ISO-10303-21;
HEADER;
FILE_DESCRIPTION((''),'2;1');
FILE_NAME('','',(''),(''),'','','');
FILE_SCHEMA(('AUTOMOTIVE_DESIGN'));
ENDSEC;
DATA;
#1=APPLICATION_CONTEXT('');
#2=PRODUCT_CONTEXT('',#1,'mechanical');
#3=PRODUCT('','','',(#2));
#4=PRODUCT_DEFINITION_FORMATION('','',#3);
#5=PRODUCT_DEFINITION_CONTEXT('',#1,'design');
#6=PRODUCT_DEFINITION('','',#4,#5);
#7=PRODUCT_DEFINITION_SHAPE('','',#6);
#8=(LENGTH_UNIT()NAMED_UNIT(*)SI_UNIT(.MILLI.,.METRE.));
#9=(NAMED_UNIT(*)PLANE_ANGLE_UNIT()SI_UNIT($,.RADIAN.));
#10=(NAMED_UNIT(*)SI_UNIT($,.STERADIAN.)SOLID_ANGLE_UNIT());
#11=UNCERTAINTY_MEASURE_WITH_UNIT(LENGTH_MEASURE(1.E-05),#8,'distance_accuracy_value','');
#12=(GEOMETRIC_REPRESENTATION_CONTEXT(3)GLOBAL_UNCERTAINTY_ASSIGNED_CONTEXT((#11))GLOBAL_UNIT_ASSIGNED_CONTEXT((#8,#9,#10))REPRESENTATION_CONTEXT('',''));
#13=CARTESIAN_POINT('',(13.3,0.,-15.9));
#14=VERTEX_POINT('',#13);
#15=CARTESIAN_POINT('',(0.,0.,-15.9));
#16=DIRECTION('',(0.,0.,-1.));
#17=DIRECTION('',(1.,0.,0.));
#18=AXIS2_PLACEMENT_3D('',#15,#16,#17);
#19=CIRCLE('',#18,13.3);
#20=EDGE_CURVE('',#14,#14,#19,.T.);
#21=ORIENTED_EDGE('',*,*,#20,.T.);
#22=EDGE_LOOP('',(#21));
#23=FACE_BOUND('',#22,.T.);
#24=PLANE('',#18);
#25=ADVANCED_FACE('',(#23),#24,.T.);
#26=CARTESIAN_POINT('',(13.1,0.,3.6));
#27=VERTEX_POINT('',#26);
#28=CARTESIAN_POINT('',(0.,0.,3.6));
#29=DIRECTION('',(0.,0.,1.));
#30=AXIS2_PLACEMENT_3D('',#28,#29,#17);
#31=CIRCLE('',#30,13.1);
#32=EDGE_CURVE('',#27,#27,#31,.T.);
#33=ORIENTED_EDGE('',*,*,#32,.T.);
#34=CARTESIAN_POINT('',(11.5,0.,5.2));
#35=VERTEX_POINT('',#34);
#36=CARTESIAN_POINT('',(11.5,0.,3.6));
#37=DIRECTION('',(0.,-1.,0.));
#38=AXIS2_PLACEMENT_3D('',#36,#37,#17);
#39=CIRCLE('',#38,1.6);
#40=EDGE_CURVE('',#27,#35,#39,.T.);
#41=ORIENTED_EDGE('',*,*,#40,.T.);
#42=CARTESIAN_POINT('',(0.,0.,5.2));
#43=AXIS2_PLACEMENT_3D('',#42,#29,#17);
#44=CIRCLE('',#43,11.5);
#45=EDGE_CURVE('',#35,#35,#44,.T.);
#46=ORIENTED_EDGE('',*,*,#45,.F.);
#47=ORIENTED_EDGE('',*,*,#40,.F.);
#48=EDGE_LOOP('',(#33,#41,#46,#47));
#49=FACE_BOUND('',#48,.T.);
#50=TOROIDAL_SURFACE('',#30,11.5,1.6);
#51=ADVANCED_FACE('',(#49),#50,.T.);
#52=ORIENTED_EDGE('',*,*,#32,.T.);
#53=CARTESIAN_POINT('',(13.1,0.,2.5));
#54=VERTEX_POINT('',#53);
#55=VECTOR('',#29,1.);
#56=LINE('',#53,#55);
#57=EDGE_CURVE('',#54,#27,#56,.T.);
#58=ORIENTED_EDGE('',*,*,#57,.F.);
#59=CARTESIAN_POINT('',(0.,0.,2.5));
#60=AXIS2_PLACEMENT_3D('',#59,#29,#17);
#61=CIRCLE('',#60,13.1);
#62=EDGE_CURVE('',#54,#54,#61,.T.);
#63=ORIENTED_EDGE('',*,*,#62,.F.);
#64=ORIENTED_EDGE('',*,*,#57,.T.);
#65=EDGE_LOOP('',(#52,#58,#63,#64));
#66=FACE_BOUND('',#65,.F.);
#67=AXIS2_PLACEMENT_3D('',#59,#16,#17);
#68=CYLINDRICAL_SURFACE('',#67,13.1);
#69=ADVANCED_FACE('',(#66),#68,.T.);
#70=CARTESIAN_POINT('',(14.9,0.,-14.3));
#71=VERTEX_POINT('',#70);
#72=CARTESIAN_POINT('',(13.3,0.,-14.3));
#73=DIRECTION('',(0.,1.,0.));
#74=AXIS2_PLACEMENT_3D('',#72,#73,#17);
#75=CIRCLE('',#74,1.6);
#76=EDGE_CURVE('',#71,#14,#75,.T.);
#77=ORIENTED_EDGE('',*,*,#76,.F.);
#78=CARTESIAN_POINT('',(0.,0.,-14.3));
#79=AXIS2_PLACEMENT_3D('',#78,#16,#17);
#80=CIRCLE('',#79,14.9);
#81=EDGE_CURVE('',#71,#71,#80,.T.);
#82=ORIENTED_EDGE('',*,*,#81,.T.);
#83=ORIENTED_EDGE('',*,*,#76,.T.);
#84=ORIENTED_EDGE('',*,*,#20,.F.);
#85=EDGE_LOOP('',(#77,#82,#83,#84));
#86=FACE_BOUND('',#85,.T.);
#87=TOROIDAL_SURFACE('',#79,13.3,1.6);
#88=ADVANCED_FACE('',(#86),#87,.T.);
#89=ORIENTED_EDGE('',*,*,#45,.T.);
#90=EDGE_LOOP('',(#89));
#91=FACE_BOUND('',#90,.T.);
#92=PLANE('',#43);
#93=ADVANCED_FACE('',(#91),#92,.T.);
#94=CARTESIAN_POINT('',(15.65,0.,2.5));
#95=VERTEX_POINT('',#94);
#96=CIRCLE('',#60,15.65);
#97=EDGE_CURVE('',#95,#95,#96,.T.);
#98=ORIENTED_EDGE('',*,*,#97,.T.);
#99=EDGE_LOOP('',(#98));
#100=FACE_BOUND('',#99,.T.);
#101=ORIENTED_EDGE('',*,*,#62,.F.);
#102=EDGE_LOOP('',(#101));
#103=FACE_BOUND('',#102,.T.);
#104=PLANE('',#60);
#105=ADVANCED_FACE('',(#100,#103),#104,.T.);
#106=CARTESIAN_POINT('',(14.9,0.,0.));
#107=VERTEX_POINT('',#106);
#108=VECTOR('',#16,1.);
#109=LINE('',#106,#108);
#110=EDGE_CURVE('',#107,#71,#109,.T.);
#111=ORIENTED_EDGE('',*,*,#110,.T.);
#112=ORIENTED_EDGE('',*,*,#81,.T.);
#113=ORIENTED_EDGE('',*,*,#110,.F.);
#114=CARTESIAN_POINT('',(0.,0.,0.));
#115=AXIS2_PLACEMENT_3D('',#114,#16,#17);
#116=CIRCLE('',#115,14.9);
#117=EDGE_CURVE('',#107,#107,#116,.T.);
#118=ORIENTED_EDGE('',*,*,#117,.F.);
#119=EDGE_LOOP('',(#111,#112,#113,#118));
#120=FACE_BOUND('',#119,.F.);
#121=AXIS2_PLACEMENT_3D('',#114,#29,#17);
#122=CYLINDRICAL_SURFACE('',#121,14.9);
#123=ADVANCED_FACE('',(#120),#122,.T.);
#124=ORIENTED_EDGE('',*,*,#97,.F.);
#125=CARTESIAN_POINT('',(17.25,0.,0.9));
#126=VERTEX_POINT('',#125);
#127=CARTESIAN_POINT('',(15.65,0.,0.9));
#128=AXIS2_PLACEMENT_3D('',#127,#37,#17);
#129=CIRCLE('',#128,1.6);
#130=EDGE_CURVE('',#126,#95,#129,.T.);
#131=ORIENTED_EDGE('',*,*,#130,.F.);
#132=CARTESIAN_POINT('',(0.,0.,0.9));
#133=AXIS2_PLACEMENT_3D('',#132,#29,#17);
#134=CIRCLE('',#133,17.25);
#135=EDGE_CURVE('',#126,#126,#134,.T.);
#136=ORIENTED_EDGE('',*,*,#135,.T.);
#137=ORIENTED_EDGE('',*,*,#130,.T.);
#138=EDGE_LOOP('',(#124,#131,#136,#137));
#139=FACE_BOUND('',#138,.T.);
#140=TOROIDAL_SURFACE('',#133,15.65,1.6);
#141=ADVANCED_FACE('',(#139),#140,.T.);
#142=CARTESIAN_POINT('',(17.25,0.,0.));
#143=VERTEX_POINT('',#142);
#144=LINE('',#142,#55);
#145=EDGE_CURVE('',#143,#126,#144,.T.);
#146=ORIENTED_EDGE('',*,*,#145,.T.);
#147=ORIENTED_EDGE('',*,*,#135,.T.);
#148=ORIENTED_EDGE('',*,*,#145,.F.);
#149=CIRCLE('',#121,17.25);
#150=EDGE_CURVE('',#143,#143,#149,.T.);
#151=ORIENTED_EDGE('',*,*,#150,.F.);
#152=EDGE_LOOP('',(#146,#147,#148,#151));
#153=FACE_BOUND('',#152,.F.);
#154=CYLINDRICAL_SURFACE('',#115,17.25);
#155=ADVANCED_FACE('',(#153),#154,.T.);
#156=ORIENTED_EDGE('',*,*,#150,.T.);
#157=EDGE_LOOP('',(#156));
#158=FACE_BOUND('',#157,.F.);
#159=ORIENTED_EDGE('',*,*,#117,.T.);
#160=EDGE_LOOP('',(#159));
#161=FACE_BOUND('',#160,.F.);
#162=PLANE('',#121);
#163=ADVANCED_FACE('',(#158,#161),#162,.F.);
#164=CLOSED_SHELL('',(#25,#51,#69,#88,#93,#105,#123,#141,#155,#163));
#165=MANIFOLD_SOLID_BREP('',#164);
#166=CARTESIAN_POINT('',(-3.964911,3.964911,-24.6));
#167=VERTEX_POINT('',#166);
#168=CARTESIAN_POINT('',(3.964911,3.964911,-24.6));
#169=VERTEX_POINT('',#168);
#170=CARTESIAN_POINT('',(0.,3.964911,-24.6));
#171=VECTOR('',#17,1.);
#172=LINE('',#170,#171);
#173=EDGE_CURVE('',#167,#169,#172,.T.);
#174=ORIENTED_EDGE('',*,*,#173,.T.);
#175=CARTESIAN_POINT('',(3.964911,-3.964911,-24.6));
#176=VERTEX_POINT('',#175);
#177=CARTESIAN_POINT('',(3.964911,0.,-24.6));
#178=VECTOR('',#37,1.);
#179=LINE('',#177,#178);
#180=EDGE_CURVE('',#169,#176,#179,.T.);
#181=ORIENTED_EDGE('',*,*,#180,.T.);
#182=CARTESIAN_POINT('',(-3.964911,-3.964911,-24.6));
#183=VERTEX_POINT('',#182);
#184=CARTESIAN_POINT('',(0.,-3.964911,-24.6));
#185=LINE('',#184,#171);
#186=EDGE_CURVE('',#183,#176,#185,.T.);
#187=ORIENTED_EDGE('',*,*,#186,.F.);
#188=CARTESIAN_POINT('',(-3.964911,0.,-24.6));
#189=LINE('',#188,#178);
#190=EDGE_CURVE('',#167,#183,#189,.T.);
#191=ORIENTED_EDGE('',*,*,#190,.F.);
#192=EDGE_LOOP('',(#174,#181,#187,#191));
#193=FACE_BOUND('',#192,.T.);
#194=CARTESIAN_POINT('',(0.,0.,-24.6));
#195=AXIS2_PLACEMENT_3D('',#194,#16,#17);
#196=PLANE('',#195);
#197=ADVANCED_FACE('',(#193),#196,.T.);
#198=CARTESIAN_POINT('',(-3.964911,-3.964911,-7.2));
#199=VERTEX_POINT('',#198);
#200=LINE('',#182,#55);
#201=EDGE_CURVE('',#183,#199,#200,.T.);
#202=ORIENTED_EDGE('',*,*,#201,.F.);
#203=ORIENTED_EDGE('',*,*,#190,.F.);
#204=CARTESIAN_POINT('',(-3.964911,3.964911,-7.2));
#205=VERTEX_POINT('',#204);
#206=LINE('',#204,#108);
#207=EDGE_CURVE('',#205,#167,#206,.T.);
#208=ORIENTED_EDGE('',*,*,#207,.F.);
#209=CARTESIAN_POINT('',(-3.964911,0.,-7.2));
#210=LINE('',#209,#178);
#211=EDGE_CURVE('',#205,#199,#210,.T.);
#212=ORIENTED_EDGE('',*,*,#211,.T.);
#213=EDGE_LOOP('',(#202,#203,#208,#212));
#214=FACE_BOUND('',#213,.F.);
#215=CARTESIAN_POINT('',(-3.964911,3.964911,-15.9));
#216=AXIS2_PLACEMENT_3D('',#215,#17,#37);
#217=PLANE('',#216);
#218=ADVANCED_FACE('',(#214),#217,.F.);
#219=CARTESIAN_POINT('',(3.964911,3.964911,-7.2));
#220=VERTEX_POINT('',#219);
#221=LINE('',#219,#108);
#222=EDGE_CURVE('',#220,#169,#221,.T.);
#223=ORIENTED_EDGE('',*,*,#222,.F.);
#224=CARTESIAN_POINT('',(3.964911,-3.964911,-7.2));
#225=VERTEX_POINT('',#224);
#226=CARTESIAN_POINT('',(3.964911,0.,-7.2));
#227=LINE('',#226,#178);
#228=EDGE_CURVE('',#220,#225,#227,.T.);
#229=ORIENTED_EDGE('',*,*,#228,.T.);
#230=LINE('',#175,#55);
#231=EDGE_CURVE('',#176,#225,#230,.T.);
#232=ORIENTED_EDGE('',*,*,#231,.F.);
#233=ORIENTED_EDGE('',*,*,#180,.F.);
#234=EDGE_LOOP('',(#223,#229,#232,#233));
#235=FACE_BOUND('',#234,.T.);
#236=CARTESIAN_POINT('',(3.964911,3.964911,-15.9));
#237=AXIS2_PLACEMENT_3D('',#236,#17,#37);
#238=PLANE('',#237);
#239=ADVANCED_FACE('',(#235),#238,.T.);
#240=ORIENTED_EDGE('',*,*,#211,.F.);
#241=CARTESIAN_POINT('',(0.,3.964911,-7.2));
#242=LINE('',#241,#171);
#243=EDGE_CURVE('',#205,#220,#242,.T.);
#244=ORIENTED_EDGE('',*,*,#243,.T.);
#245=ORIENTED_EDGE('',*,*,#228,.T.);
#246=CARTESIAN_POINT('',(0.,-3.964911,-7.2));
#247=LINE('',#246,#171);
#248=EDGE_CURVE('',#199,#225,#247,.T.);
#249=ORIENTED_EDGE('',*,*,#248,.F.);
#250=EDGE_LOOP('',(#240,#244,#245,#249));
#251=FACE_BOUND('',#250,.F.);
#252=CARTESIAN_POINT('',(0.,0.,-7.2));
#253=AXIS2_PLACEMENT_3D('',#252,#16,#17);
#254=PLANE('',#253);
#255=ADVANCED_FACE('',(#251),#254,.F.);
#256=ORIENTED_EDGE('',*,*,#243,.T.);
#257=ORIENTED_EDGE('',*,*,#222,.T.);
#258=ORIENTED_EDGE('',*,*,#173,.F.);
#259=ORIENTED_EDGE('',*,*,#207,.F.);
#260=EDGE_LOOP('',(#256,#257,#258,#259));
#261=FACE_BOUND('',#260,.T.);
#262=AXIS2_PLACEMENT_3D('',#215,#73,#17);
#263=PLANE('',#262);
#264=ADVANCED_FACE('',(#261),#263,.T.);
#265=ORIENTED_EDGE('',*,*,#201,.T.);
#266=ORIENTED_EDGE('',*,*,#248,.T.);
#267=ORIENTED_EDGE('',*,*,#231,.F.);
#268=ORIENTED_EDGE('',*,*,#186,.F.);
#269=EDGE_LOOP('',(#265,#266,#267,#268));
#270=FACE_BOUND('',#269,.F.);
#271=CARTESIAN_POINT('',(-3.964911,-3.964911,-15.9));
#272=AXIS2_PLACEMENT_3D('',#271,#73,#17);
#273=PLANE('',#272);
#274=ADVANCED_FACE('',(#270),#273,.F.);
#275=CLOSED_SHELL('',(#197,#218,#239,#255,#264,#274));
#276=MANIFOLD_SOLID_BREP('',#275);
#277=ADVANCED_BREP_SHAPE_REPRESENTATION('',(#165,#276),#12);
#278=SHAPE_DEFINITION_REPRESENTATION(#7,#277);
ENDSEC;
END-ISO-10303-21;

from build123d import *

# Parameters (mm, degrees)
F0_R      = 17.25
F1_DEPTH  = 2.5
F2_R      = 1.6
F3_R      = 13.1
F4_DEPTH  = 2.7
F5_R      = 1.6
F6_R      = 14.9
F7_DEPTH  = 15.9
F8_R      = 1.6
F9_W      = 7.929822
F9_H      = 7.929822
F10_DEPTH = 8.7


with BuildPart() as f1:
    # F0 (on Top) → F1 (new body)
    with BuildSketch(Plane.XY):
        Circle(F0_R)
    extrude(amount=F1_DEPTH)

    # F2
    f2_edges = [f1.edges().sort_by_distance(p)[0] for p in [
        (-17.25, 0, 2.5),
    ]]
    fillet(f2_edges, radius=F2_R)

    # F3 (on face) → F4 (join)
    with BuildSketch(Plane.XY.offset(2.5)):
        Circle(F3_R)
    extrude(amount=F4_DEPTH)

    # F5
    f5_edges = [f1.edges().sort_by_distance(p)[0] for p in [
        (-13.1, 0, 5.2),
    ]]
    fillet(f5_edges, radius=F5_R)

    # F6 (on face) → F7 (join)
    with BuildSketch(Plane(origin=(0, 0, 0), x_dir=(1, 0, 0), z_dir=(0, 0, -1))):
        Circle(F6_R)
    extrude(amount=F7_DEPTH)

    # F8
    f8_edges = [f1.edges().sort_by_distance(p)[0] for p in [
        (-14.9, 0, -15.9),
    ]]
    fillet(f8_edges, radius=F8_R)


with BuildPart() as f10:
    # F9 (on face) → F10 (new body, symmetric)
    with BuildSketch(Plane(origin=(0, 0, -15.9), x_dir=(1, 0, 0), z_dir=(0, 0, -1))):
        Rectangle(F9_W, F9_H)
    extrude(amount=F10_DEPTH, both=True)


solid = Compound([f1.part, f10.part])
